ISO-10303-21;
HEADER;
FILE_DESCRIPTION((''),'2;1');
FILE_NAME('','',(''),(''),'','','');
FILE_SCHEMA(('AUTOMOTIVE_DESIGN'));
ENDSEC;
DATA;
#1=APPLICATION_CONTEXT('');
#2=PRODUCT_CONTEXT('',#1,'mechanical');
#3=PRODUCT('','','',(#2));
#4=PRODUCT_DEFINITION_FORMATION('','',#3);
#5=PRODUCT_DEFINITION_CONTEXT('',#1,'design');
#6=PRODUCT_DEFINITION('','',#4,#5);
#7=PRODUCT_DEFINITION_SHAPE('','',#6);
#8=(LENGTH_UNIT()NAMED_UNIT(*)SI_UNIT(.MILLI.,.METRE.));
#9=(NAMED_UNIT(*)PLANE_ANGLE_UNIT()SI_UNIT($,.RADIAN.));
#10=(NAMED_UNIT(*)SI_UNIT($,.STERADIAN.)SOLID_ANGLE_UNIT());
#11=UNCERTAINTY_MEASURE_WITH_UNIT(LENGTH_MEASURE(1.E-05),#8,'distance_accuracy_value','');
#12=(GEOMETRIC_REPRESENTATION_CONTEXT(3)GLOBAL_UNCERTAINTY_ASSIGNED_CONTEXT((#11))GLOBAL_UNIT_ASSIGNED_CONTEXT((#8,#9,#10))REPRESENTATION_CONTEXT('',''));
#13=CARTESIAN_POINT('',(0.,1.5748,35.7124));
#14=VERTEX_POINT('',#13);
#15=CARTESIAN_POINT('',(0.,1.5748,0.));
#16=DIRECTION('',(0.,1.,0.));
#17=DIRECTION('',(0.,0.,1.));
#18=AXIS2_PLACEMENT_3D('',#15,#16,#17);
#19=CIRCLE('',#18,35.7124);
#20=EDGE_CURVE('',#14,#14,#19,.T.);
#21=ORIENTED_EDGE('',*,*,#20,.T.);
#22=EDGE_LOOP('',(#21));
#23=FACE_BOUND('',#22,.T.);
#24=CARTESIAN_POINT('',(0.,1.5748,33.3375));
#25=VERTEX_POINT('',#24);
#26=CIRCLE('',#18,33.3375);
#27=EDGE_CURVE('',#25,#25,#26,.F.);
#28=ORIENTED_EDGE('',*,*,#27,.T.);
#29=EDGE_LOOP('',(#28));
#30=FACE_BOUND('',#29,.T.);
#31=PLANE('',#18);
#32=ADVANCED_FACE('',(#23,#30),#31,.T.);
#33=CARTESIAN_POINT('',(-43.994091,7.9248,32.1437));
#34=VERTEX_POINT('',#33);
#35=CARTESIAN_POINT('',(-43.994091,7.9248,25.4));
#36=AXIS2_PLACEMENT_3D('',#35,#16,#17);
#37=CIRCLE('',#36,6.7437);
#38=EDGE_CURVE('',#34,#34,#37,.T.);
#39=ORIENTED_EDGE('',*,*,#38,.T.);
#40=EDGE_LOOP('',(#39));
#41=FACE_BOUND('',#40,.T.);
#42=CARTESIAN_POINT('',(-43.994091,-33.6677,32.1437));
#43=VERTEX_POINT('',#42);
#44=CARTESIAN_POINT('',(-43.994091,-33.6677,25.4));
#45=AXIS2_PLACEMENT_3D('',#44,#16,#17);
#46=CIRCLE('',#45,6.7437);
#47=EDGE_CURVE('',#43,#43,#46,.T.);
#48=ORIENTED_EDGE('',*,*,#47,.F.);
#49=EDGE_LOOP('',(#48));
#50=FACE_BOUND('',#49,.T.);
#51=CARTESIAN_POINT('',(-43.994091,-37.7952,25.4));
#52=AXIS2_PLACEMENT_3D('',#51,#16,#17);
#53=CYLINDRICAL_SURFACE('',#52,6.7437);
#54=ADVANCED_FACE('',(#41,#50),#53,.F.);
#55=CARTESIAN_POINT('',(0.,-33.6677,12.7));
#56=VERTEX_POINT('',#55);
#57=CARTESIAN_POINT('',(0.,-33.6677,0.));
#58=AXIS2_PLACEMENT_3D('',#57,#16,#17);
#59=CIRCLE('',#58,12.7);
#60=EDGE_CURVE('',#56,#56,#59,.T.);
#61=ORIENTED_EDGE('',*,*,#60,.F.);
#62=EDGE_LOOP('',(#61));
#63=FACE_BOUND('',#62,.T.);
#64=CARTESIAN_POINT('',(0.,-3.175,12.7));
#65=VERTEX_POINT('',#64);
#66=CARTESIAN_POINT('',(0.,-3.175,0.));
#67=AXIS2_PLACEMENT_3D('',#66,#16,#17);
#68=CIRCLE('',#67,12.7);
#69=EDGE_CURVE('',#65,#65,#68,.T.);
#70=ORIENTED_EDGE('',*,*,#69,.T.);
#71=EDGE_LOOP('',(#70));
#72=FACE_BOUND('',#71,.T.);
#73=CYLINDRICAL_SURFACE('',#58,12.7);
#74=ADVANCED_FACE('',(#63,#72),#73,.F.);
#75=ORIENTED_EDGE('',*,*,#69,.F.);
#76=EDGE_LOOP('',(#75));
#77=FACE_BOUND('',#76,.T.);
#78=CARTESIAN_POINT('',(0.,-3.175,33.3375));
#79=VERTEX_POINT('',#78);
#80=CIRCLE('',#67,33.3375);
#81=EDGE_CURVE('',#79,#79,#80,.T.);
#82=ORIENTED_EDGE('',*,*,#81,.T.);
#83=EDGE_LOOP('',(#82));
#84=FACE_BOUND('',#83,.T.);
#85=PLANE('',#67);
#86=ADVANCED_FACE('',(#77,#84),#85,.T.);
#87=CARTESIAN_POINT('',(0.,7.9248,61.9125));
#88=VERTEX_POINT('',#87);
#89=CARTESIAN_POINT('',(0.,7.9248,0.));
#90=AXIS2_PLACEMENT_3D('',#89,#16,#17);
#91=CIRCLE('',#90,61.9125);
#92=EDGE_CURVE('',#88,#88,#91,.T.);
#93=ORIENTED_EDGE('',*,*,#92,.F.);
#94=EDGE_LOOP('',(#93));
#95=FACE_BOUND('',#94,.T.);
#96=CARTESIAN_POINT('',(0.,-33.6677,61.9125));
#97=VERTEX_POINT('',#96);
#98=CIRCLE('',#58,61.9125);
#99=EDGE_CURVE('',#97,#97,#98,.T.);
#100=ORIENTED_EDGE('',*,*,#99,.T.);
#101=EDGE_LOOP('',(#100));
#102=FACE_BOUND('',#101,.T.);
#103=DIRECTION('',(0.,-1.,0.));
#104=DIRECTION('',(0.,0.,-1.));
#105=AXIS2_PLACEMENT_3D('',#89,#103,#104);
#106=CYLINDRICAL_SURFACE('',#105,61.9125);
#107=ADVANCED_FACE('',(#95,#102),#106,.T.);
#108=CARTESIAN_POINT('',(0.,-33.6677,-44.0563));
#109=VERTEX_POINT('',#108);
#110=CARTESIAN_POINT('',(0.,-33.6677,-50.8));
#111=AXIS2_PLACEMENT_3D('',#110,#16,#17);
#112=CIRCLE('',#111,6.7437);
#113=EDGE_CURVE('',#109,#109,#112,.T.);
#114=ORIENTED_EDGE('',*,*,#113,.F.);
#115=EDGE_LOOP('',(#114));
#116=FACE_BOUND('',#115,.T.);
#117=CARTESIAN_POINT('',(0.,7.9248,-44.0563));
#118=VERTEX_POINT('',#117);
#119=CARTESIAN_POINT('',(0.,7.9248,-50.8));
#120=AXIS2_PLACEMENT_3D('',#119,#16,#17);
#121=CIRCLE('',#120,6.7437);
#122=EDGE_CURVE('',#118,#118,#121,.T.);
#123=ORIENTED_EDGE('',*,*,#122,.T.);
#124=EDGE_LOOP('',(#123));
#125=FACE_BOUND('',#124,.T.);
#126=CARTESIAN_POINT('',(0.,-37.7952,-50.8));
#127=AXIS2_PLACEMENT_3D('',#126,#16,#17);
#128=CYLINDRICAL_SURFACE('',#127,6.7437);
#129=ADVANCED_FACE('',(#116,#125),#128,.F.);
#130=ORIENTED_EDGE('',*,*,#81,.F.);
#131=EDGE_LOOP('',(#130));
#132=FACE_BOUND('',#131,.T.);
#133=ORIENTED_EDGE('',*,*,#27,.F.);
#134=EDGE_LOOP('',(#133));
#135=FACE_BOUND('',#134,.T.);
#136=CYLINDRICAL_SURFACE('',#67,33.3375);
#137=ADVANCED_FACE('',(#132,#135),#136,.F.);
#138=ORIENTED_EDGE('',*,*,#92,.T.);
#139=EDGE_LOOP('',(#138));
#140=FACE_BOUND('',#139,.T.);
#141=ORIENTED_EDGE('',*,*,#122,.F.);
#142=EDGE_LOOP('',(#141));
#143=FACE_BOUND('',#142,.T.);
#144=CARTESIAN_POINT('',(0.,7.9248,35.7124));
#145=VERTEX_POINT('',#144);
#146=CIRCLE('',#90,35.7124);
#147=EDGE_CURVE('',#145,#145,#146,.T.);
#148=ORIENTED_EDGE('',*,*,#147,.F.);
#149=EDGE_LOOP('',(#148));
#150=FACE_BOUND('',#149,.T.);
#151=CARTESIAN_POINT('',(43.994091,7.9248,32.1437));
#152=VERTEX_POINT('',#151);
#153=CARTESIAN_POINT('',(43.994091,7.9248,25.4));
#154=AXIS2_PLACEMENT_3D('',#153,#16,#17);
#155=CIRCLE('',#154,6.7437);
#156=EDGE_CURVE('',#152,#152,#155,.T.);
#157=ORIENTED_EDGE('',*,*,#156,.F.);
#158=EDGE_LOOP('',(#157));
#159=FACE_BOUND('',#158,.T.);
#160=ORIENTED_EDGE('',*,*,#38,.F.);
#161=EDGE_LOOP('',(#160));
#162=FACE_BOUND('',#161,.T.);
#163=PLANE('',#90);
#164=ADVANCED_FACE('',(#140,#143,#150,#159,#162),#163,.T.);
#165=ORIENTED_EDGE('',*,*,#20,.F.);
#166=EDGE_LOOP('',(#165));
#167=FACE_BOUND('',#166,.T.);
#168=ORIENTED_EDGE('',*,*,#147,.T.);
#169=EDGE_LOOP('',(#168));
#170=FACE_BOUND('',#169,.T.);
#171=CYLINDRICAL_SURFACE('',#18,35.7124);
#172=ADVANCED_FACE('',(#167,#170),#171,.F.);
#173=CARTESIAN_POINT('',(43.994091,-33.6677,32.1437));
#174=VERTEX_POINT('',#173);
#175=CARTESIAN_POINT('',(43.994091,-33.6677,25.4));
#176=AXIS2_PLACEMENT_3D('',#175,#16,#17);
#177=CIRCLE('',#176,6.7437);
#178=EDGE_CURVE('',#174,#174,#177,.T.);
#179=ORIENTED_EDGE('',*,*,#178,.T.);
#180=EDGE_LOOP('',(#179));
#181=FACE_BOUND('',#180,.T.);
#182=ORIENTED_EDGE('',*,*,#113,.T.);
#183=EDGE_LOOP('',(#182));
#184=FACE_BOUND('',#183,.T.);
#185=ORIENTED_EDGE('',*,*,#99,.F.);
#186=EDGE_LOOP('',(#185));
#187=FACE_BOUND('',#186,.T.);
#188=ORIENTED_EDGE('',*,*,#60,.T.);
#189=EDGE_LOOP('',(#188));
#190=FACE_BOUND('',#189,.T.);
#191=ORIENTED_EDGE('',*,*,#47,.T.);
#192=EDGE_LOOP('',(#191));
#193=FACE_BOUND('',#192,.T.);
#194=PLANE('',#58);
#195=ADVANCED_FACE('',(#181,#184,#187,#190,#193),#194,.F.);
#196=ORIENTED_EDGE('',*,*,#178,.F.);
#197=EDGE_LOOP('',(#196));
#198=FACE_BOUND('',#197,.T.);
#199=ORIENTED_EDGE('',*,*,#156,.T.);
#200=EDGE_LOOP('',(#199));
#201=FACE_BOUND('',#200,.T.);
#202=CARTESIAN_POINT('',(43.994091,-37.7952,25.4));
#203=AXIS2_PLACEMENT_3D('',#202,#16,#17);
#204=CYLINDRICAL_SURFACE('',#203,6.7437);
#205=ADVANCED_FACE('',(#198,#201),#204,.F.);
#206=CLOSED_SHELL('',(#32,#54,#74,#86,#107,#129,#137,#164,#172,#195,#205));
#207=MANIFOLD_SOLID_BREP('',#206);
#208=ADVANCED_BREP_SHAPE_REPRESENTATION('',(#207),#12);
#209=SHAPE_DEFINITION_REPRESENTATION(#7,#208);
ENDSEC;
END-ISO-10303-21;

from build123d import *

# Parameters (mm, degrees)
SKETCH1_R               = 61.9125
BASE_EXTRUDE_DEPTH      = 7.9248
BASE_EXTRUDE_DEPTH_BACK = 33.6677
SKETCH11_R              = 33.3375
CUT_EXTRUDE1_DEPTH      = 9.525
SKETCH12_R              = 35.7124
CUT_EXTRUDE2_DEPTH      = 2.5748
CUT_EXTRUDE2_DEPTH_BACK = 4.7752
SKETCH13_R              = 12.7
CUT_EXTRUDE3_DEPTH      = 41.0177
SKETCH32_R              = 6.7437
CUT_EXTRUDE4_DEPTH      = 45.72


with BuildPart() as part:
    # Sketch1 → Base-Extrude (new body, two sides)
    with BuildSketch(Plane(origin=(0, 0, 0), x_dir=(1, 0, 0), z_dir=(0, 1, 0))) as base_extrude_sk:
        with Locations(Location((0, 0, 0), (0, 0, 270))):  # turned: the seam where the file's is
            Circle(SKETCH1_R)
    extrude(amount=BASE_EXTRUDE_DEPTH)
    extrude(base_extrude_sk.sketch, amount=-BASE_EXTRUDE_DEPTH_BACK)

    # Sketch11 → Cut-Extrude1 (cut)
    with BuildSketch(Plane(origin=(0, 6.35, 0), x_dir=(-1, 0, 0), z_dir=(0, 1, 0))):
        with Locations(Location((0, 0, 0), (0, 0, 90))):  # turned: the seam where the file's is
            Circle(SKETCH11_R)
    extrude(amount=-CUT_EXTRUDE1_DEPTH, mode=Mode.SUBTRACT)

    # Sketch12 → Cut-Extrude2 (cut, two sides)
    with BuildSketch(Plane(origin=(0, 6.35, 0), x_dir=(-1, 0, 0), z_dir=(0, 1, 0))) as cut_extrude2_sk:
        with Locations(Location((0, 0, 0), (0, 0, 90))):  # turned: the seam where the file's is
            Circle(SKETCH12_R)
    extrude(amount=CUT_EXTRUDE2_DEPTH, mode=Mode.SUBTRACT)
    extrude(cut_extrude2_sk.sketch, amount=-CUT_EXTRUDE2_DEPTH_BACK, mode=Mode.SUBTRACT)

    # Sketch13 → Cut-Extrude3 (cut, through all)
    with BuildSketch(Plane(origin=(0, 6.35, 0), x_dir=(-1, 0, 0), z_dir=(0, 1, 0))):
        with Locations(Location((0, 0, 0), (0, 0, 90))):  # turned: the seam where the file's is
            Circle(SKETCH13_R)
    extrude(amount=-CUT_EXTRUDE3_DEPTH, mode=Mode.SUBTRACT)

    # Sketch32 → Cut-Extrude4 (cut)
    with BuildSketch(Plane(origin=(0, 7.9248, 0), x_dir=(-1, 0, 0), z_dir=(0, 1, 0))):
        with Locations(Location((0, -50.8, 0), (0, 0, 90))):  # turned: the seam where the file's is
            Circle(SKETCH32_R)
        with Locations(Location((-43.994090512, 25.4, 0), (0, 0, 90))):  # turned: the seam where the file's is
            Circle(SKETCH32_R)
        with Locations(Location((43.994090512, 25.4, 0), (0, 0, 90))):  # turned: the seam where the file's is
            Circle(SKETCH32_R)
    extrude(amount=-CUT_EXTRUDE4_DEPTH, mode=Mode.SUBTRACT)


solid = part.part
